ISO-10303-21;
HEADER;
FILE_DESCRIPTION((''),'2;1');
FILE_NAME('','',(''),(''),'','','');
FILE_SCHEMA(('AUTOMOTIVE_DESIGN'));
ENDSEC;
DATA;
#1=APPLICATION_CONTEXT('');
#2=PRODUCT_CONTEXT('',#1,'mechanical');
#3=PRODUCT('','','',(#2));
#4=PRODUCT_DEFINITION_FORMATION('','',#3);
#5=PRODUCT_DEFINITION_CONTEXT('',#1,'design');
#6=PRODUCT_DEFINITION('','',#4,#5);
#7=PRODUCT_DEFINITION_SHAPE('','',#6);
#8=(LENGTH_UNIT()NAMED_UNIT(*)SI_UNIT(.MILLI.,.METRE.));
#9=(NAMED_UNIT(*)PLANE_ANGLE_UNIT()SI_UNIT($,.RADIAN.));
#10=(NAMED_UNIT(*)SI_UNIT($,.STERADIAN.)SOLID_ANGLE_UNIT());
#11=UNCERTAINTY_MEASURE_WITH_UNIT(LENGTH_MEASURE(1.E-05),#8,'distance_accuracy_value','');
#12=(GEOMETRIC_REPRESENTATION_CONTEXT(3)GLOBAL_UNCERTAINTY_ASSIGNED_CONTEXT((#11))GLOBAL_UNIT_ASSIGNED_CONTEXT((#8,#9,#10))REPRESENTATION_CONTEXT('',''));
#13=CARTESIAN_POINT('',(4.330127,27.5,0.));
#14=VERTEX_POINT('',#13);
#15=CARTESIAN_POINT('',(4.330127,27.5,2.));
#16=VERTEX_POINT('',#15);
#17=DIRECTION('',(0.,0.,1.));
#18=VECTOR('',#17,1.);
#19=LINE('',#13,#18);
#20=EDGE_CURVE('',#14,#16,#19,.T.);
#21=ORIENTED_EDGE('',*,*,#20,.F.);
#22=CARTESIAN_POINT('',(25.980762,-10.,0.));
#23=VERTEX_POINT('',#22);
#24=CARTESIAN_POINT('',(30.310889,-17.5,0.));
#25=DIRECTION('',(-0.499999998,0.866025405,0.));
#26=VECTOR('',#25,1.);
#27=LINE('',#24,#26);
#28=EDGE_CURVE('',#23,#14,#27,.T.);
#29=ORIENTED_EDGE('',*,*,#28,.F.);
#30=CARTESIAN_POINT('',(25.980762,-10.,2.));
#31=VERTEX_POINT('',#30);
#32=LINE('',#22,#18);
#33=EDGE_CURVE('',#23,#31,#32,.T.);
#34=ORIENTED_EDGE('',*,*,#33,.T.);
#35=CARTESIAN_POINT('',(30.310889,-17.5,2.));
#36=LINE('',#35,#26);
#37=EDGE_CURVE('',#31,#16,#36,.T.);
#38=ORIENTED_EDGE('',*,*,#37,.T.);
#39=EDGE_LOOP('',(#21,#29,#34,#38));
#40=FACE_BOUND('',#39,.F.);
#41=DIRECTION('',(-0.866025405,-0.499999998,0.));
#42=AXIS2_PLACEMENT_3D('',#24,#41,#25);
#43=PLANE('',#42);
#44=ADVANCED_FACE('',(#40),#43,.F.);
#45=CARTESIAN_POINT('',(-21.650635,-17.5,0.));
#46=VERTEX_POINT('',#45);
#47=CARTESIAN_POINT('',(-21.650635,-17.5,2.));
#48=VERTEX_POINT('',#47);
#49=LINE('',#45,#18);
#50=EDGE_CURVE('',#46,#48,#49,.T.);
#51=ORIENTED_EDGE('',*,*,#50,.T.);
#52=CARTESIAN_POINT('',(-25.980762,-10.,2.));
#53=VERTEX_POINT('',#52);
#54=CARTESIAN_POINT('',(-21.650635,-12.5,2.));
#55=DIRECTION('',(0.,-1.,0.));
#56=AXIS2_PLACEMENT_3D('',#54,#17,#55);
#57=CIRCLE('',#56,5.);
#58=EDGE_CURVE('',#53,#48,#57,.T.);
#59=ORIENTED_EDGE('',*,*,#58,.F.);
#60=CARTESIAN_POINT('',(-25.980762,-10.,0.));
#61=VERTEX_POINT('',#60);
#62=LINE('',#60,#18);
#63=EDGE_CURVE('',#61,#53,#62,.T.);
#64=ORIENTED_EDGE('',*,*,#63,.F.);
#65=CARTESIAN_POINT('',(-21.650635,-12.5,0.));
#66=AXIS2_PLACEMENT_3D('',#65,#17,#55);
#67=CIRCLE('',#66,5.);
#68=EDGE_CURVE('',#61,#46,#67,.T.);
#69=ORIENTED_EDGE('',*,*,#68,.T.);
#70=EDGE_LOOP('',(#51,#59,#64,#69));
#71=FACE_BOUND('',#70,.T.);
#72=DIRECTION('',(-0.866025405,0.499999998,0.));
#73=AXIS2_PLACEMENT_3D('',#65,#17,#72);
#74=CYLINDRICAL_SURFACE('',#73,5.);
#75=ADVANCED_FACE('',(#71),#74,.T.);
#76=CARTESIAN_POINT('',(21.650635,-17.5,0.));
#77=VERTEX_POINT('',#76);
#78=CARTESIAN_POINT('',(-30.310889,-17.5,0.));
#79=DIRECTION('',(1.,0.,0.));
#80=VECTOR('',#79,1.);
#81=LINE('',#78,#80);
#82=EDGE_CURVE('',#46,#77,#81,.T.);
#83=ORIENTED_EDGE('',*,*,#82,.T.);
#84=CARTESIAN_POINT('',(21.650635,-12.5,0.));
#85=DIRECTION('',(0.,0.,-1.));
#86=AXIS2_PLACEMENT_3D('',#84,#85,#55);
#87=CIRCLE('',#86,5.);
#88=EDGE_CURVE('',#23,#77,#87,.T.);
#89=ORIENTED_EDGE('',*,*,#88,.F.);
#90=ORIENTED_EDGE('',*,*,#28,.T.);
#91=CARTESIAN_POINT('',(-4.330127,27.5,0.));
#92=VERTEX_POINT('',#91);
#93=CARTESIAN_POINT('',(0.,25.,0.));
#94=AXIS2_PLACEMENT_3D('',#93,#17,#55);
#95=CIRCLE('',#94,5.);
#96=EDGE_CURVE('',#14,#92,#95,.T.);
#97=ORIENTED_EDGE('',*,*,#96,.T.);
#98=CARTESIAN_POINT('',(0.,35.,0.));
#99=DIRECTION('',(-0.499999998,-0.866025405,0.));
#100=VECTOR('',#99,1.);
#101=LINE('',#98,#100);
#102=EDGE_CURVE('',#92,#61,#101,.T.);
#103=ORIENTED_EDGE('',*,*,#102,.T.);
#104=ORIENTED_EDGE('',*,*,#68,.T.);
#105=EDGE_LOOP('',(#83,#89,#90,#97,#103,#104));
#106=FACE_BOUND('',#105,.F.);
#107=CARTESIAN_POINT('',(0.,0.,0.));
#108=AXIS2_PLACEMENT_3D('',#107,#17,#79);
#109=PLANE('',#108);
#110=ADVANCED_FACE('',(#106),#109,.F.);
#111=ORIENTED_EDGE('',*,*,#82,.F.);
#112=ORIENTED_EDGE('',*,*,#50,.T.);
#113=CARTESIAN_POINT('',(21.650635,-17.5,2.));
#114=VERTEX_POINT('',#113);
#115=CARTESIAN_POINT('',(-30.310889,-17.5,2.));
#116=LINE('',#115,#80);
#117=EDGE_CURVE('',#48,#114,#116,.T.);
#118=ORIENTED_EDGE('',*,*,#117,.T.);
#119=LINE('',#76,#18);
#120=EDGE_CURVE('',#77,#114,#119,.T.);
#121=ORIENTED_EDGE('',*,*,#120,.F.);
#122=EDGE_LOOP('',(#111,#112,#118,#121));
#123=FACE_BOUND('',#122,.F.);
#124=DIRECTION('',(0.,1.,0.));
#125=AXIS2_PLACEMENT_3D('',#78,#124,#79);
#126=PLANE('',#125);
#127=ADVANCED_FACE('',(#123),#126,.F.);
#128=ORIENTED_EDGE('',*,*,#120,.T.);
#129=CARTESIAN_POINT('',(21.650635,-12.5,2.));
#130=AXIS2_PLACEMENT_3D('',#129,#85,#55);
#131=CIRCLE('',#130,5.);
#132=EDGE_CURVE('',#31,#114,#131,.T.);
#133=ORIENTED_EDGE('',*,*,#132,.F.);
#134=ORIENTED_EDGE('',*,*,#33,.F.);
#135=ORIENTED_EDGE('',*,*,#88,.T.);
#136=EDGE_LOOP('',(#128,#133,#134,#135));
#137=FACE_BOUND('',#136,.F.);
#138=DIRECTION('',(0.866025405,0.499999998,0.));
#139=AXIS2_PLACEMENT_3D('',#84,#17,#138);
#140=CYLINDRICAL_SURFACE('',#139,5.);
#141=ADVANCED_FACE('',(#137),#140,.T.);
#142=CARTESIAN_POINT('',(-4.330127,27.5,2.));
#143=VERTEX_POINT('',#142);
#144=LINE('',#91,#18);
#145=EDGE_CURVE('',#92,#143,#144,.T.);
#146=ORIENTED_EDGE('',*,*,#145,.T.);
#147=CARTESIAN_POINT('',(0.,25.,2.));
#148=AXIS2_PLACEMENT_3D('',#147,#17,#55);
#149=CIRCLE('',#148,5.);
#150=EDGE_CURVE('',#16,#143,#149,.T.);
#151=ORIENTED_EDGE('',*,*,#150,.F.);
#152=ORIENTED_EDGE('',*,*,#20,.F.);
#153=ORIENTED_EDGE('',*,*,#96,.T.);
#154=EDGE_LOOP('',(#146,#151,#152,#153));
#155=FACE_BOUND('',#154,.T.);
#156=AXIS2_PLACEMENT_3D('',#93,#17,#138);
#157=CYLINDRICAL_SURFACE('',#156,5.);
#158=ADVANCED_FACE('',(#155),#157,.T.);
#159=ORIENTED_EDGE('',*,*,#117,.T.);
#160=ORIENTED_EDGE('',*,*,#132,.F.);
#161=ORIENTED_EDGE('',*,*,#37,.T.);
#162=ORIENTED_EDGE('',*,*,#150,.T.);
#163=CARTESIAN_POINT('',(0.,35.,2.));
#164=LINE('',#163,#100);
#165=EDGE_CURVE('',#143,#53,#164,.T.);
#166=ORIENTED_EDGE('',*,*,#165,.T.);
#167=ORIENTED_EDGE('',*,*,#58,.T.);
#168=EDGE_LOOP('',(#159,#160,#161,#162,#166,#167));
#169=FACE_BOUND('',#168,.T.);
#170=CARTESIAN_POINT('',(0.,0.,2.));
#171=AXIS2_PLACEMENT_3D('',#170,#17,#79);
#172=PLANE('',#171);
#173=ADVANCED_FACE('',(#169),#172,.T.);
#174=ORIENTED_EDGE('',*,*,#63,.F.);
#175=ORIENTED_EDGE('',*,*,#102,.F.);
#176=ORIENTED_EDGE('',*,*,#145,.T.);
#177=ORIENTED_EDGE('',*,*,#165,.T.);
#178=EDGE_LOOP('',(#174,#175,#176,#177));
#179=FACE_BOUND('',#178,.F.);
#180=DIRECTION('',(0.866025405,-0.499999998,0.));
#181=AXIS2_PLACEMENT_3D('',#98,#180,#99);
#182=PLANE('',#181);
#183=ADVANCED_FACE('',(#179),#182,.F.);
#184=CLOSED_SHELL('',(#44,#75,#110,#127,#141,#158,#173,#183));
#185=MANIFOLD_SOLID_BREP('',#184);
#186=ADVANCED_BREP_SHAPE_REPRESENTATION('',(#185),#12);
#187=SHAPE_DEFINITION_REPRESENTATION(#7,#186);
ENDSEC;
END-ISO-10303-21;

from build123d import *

# Parameters (mm, degrees)
F1_DEPTH = 2
F2_R     = 5


with BuildPart() as f1:
    # F0 (on Top) → F1 (new body)
    with BuildSketch(Plane.XY):
        Polygon((30.310889, -17.5), (0, 35), (-30.310889, -17.5), align=None)
    extrude(amount=F1_DEPTH)

    # F2
    f2_edges = [f1.edges().sort_by_distance(p)[0] for p in [
        (0, 35, 1),
        (-30.310889, -17.5, 1),
        (30.310889, -17.5, 1),
    ]]
    fillet(f2_edges, radius=F2_R)


solid = f1.part
